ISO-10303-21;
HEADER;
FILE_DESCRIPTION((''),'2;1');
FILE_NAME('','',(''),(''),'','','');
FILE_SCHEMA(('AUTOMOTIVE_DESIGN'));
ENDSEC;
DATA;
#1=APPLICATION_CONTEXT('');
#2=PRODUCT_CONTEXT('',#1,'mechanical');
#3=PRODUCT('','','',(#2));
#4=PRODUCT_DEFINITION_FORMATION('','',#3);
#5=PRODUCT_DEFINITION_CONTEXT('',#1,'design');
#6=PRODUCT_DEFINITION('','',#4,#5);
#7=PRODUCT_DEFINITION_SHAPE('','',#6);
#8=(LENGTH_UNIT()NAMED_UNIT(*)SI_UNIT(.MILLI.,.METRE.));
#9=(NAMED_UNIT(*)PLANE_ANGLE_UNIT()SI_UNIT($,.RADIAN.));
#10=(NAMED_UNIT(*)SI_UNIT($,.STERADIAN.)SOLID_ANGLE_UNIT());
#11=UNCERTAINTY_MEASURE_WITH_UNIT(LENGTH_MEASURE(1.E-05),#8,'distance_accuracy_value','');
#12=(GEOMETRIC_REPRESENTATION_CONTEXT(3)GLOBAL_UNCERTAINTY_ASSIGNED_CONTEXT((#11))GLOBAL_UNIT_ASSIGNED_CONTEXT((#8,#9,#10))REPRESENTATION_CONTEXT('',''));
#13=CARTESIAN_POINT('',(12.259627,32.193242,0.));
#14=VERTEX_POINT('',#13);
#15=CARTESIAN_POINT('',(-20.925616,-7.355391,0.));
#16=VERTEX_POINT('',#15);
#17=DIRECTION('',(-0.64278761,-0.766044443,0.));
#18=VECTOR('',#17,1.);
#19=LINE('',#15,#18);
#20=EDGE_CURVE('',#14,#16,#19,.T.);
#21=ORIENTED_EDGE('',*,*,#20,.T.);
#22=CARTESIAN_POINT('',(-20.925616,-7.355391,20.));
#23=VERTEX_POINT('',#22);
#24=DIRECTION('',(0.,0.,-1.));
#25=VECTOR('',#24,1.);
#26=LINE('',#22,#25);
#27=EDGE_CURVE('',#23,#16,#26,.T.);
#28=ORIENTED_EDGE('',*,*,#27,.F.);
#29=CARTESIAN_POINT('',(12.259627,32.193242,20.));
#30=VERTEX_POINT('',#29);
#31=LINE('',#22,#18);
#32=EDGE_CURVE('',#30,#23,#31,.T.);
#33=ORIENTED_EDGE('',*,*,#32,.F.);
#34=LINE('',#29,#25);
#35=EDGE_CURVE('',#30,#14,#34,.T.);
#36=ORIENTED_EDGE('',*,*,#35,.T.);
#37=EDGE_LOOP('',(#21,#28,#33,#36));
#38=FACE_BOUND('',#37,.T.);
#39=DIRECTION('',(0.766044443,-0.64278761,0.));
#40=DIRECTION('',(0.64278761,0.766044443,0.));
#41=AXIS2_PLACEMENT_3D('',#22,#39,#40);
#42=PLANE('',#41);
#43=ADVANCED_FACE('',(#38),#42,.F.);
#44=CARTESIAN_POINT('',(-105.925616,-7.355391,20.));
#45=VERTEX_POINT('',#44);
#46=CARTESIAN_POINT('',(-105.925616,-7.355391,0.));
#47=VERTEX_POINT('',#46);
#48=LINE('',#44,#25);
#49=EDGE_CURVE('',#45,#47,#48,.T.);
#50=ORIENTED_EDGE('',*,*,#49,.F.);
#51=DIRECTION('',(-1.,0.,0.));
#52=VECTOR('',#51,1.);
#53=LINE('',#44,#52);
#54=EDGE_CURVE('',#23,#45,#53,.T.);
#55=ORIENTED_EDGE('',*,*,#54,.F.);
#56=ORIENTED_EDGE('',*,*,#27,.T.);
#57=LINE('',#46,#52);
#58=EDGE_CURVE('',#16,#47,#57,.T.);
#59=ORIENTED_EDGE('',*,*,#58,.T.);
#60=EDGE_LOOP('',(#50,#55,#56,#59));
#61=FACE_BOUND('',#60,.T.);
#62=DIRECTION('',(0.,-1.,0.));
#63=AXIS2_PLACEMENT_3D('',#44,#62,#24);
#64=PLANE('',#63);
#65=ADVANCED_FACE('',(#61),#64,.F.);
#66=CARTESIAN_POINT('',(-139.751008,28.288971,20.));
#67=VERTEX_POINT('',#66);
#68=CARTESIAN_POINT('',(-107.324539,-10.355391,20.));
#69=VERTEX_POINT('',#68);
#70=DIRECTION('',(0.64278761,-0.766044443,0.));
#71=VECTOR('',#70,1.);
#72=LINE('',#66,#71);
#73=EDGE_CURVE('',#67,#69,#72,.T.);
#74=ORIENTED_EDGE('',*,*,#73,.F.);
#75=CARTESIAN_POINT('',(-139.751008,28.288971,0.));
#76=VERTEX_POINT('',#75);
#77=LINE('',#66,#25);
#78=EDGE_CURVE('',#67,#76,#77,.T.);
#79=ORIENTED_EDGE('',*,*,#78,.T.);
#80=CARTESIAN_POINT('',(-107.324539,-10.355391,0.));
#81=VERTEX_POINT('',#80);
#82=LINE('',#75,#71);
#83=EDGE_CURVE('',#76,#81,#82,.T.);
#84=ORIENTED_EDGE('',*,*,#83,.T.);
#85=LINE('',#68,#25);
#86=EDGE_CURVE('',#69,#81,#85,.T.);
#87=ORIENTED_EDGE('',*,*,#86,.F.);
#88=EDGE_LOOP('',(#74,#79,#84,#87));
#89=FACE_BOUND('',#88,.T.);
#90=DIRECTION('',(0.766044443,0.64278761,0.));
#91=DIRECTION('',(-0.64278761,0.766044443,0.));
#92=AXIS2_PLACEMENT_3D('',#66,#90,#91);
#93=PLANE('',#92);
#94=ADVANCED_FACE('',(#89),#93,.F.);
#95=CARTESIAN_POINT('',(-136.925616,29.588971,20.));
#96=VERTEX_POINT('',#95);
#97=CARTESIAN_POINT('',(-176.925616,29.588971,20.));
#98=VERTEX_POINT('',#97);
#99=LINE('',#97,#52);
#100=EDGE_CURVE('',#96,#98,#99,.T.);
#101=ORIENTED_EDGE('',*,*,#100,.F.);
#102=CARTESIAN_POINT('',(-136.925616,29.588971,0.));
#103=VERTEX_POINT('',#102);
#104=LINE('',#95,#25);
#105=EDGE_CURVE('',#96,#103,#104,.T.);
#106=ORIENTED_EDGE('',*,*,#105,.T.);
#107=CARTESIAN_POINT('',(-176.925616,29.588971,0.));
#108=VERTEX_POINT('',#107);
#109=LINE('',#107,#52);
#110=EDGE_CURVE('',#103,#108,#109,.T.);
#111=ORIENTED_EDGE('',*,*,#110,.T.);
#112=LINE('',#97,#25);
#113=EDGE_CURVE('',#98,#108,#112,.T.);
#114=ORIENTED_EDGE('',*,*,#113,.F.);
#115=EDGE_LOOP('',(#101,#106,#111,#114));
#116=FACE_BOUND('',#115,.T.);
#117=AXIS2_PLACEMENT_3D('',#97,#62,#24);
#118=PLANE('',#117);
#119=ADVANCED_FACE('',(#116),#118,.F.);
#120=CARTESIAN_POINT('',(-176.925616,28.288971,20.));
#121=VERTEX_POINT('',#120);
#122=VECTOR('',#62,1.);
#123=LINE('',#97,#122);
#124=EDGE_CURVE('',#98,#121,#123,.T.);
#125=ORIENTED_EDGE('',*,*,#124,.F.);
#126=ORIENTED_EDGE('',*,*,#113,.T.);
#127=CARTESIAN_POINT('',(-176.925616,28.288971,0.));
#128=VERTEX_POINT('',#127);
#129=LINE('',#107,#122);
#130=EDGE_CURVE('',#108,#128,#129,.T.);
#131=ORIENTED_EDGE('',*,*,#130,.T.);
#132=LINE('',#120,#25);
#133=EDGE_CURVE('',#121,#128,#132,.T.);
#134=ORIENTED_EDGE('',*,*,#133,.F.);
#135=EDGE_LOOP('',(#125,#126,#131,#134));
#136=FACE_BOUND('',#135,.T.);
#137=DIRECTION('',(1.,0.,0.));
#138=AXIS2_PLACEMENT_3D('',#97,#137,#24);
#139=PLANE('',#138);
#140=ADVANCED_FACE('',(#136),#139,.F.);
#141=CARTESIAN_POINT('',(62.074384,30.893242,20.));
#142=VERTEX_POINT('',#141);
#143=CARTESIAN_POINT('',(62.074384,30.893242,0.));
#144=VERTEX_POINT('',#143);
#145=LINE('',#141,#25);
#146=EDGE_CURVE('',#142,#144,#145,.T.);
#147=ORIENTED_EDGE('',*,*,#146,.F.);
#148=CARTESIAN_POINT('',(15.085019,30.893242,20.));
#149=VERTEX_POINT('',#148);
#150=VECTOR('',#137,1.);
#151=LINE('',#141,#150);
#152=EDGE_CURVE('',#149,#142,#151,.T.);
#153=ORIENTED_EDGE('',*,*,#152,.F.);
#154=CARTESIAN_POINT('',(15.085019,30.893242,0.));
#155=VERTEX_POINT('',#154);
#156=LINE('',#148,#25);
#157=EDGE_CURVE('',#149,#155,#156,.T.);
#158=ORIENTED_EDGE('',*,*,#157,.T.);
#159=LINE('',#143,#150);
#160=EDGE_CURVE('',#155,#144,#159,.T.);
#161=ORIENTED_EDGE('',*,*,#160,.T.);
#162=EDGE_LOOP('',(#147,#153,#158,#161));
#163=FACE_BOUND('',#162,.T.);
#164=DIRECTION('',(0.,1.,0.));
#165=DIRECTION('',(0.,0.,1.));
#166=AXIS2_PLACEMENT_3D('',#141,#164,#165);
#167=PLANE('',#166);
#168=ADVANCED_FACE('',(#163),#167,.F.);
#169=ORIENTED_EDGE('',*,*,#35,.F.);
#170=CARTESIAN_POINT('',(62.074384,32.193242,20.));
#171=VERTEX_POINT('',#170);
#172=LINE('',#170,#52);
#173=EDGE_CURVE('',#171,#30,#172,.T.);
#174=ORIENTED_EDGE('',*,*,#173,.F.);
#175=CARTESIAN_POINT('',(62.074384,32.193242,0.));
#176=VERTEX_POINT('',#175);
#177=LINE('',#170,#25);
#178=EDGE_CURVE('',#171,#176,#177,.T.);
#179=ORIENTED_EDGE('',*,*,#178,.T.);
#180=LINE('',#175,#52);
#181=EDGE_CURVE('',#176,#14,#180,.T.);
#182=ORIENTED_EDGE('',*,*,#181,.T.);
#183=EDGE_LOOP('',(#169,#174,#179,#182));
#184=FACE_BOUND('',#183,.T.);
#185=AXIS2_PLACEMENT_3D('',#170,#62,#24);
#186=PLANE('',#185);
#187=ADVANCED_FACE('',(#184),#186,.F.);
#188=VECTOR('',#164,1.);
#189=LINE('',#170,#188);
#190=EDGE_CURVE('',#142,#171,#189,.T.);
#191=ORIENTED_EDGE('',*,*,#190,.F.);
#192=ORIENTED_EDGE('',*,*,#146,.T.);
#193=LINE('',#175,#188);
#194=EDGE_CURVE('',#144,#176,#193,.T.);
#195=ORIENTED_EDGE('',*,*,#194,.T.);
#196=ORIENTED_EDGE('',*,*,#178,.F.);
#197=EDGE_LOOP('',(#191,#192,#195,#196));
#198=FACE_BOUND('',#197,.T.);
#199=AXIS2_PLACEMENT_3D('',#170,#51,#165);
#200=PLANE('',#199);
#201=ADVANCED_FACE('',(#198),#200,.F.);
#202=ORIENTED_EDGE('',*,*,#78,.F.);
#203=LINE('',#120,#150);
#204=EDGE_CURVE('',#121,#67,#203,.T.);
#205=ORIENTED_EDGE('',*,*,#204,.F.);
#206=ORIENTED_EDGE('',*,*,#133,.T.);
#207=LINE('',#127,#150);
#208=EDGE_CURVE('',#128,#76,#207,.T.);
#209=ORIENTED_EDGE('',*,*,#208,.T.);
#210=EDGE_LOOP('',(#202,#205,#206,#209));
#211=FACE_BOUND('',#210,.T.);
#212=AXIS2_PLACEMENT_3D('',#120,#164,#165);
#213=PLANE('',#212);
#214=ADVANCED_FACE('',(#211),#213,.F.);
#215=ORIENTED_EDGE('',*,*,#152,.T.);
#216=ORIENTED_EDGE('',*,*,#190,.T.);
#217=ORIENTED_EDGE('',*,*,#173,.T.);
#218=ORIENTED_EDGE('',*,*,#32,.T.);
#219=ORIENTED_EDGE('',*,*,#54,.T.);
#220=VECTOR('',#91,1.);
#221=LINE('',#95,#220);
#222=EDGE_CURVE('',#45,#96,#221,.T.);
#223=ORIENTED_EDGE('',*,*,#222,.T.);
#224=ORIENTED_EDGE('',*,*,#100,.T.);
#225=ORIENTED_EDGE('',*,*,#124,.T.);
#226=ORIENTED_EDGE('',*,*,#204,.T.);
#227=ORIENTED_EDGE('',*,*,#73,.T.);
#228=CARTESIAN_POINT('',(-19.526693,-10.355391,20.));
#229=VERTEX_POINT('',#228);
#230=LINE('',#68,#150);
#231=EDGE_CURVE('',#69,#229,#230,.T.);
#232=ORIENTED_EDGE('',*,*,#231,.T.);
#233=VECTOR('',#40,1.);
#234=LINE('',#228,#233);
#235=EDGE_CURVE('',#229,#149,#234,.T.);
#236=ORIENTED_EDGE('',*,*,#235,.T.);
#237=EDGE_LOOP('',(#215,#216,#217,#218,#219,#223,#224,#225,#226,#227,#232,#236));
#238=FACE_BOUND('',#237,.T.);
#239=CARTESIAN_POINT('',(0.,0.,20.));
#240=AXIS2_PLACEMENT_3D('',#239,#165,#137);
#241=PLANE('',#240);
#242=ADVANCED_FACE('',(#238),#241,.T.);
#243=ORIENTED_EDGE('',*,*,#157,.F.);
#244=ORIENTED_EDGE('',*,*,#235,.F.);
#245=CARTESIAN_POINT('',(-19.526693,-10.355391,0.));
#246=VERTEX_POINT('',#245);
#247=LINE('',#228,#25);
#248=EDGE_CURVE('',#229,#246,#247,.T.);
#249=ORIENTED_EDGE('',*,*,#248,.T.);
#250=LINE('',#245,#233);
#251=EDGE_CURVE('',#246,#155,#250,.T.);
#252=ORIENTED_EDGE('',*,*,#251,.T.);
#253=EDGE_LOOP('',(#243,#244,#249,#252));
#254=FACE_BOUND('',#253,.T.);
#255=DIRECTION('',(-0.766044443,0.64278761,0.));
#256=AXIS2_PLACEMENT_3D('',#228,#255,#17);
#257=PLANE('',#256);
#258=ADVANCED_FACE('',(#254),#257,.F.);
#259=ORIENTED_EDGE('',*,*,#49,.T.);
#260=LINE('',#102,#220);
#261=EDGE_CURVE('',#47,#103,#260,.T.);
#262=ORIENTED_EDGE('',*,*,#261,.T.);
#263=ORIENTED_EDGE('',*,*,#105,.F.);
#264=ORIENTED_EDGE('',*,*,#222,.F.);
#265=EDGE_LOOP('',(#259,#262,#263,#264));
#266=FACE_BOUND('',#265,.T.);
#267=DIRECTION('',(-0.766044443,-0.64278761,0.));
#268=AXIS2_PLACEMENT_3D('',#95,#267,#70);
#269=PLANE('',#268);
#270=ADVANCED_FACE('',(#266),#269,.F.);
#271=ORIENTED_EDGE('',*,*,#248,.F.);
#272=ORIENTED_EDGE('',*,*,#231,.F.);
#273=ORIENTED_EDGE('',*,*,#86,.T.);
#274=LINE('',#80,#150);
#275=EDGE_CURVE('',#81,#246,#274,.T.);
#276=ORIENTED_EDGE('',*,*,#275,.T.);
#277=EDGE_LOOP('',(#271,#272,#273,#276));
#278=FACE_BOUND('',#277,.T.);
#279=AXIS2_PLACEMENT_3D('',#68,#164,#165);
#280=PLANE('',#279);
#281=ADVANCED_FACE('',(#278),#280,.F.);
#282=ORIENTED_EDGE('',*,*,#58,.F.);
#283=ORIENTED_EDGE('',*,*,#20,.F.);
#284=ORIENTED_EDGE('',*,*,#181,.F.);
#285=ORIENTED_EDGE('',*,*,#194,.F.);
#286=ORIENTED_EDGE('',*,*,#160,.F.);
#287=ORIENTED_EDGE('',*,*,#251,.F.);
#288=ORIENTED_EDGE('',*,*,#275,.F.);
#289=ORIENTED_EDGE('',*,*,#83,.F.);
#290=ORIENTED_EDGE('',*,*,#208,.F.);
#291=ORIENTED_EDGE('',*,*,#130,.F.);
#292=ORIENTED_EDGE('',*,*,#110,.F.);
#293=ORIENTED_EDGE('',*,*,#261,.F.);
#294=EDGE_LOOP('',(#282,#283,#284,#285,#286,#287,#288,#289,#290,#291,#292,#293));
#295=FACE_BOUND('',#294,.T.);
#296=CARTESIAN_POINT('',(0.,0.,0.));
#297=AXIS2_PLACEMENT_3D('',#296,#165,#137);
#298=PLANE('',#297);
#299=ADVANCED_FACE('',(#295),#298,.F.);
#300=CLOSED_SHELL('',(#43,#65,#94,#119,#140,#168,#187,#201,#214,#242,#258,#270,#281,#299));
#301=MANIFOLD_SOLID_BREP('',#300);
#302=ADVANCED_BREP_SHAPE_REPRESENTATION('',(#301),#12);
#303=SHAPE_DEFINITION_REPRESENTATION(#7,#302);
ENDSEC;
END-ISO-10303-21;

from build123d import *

# Parameters (mm, degrees)
BOSS_EXTRUDE1_DEPTH = 20


with BuildPart() as part:
    # Sketch1 → Boss-Extrude1 (new body)
    with BuildSketch(Plane.XY):
        Polygon((-176.925616004, 29.588970737), (-136.925616004, 29.588970737), (-105.925616004, -7.355390633), (-20.925616004, -7.355390633), (12.259627032, 32.193241976), (62.074383996, 32.193241976), (62.074383996, 30.893241976), (15.085019379, 30.893241976), (-19.52669303, -10.355390633), (-107.324538979, -10.355390633), (-139.751008352, 28.288970737), (-176.925616004, 28.288970737), align=None)
    extrude(amount=BOSS_EXTRUDE1_DEPTH)


solid = part.part
